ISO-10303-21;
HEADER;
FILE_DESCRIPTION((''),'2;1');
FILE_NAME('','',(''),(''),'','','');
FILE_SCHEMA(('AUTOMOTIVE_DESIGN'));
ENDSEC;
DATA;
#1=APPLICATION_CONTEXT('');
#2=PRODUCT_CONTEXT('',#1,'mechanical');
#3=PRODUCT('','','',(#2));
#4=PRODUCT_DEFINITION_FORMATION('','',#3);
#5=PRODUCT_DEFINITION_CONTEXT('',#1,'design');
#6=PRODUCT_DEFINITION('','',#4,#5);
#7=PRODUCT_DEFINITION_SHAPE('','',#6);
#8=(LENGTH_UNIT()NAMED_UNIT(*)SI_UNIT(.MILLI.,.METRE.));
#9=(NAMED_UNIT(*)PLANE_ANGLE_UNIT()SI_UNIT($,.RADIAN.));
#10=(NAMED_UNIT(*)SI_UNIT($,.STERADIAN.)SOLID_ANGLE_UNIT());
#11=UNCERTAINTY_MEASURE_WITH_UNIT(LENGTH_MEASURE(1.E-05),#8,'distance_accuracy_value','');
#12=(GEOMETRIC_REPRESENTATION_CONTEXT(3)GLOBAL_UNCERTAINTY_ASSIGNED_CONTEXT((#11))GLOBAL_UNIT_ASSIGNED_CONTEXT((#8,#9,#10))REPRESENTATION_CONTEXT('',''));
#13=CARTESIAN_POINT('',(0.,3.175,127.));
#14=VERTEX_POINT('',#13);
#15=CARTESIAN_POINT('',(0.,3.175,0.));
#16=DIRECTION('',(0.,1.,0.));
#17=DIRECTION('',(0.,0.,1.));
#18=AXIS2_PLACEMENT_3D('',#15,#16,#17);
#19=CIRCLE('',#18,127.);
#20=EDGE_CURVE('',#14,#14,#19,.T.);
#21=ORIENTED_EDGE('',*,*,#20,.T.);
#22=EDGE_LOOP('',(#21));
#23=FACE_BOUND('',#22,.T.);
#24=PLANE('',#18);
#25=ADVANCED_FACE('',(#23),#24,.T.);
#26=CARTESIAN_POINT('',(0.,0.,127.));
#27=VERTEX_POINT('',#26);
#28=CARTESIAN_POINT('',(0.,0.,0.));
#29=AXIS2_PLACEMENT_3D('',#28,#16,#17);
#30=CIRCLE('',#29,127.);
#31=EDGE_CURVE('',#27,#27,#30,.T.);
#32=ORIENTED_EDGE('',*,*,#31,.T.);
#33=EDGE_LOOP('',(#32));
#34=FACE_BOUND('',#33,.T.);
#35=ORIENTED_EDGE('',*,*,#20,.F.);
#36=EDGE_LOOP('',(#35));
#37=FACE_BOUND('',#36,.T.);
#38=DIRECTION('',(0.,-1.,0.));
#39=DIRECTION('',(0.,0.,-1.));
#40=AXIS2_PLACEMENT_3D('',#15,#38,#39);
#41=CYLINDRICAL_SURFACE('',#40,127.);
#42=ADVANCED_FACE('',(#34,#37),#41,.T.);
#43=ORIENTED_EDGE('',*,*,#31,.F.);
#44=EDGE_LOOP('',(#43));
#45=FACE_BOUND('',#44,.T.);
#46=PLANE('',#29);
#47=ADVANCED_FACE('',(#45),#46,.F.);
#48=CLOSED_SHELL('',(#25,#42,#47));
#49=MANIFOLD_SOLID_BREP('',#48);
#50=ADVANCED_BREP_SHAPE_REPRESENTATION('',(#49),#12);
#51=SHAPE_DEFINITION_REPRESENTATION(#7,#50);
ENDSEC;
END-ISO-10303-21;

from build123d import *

# Parameters (mm, degrees)
SKETCH1_R           = 127
BOSS_EXTRUDE1_DEPTH = 3.175


with BuildPart() as part:
    # Sketch1 → Boss-Extrude1 (new body)
    with BuildSketch(Plane(origin=(0, 0, 0), x_dir=(1, 0, 0), z_dir=(0, 1, 0))):
        Circle(SKETCH1_R)
    extrude(amount=BOSS_EXTRUDE1_DEPTH)


solid = part.part
